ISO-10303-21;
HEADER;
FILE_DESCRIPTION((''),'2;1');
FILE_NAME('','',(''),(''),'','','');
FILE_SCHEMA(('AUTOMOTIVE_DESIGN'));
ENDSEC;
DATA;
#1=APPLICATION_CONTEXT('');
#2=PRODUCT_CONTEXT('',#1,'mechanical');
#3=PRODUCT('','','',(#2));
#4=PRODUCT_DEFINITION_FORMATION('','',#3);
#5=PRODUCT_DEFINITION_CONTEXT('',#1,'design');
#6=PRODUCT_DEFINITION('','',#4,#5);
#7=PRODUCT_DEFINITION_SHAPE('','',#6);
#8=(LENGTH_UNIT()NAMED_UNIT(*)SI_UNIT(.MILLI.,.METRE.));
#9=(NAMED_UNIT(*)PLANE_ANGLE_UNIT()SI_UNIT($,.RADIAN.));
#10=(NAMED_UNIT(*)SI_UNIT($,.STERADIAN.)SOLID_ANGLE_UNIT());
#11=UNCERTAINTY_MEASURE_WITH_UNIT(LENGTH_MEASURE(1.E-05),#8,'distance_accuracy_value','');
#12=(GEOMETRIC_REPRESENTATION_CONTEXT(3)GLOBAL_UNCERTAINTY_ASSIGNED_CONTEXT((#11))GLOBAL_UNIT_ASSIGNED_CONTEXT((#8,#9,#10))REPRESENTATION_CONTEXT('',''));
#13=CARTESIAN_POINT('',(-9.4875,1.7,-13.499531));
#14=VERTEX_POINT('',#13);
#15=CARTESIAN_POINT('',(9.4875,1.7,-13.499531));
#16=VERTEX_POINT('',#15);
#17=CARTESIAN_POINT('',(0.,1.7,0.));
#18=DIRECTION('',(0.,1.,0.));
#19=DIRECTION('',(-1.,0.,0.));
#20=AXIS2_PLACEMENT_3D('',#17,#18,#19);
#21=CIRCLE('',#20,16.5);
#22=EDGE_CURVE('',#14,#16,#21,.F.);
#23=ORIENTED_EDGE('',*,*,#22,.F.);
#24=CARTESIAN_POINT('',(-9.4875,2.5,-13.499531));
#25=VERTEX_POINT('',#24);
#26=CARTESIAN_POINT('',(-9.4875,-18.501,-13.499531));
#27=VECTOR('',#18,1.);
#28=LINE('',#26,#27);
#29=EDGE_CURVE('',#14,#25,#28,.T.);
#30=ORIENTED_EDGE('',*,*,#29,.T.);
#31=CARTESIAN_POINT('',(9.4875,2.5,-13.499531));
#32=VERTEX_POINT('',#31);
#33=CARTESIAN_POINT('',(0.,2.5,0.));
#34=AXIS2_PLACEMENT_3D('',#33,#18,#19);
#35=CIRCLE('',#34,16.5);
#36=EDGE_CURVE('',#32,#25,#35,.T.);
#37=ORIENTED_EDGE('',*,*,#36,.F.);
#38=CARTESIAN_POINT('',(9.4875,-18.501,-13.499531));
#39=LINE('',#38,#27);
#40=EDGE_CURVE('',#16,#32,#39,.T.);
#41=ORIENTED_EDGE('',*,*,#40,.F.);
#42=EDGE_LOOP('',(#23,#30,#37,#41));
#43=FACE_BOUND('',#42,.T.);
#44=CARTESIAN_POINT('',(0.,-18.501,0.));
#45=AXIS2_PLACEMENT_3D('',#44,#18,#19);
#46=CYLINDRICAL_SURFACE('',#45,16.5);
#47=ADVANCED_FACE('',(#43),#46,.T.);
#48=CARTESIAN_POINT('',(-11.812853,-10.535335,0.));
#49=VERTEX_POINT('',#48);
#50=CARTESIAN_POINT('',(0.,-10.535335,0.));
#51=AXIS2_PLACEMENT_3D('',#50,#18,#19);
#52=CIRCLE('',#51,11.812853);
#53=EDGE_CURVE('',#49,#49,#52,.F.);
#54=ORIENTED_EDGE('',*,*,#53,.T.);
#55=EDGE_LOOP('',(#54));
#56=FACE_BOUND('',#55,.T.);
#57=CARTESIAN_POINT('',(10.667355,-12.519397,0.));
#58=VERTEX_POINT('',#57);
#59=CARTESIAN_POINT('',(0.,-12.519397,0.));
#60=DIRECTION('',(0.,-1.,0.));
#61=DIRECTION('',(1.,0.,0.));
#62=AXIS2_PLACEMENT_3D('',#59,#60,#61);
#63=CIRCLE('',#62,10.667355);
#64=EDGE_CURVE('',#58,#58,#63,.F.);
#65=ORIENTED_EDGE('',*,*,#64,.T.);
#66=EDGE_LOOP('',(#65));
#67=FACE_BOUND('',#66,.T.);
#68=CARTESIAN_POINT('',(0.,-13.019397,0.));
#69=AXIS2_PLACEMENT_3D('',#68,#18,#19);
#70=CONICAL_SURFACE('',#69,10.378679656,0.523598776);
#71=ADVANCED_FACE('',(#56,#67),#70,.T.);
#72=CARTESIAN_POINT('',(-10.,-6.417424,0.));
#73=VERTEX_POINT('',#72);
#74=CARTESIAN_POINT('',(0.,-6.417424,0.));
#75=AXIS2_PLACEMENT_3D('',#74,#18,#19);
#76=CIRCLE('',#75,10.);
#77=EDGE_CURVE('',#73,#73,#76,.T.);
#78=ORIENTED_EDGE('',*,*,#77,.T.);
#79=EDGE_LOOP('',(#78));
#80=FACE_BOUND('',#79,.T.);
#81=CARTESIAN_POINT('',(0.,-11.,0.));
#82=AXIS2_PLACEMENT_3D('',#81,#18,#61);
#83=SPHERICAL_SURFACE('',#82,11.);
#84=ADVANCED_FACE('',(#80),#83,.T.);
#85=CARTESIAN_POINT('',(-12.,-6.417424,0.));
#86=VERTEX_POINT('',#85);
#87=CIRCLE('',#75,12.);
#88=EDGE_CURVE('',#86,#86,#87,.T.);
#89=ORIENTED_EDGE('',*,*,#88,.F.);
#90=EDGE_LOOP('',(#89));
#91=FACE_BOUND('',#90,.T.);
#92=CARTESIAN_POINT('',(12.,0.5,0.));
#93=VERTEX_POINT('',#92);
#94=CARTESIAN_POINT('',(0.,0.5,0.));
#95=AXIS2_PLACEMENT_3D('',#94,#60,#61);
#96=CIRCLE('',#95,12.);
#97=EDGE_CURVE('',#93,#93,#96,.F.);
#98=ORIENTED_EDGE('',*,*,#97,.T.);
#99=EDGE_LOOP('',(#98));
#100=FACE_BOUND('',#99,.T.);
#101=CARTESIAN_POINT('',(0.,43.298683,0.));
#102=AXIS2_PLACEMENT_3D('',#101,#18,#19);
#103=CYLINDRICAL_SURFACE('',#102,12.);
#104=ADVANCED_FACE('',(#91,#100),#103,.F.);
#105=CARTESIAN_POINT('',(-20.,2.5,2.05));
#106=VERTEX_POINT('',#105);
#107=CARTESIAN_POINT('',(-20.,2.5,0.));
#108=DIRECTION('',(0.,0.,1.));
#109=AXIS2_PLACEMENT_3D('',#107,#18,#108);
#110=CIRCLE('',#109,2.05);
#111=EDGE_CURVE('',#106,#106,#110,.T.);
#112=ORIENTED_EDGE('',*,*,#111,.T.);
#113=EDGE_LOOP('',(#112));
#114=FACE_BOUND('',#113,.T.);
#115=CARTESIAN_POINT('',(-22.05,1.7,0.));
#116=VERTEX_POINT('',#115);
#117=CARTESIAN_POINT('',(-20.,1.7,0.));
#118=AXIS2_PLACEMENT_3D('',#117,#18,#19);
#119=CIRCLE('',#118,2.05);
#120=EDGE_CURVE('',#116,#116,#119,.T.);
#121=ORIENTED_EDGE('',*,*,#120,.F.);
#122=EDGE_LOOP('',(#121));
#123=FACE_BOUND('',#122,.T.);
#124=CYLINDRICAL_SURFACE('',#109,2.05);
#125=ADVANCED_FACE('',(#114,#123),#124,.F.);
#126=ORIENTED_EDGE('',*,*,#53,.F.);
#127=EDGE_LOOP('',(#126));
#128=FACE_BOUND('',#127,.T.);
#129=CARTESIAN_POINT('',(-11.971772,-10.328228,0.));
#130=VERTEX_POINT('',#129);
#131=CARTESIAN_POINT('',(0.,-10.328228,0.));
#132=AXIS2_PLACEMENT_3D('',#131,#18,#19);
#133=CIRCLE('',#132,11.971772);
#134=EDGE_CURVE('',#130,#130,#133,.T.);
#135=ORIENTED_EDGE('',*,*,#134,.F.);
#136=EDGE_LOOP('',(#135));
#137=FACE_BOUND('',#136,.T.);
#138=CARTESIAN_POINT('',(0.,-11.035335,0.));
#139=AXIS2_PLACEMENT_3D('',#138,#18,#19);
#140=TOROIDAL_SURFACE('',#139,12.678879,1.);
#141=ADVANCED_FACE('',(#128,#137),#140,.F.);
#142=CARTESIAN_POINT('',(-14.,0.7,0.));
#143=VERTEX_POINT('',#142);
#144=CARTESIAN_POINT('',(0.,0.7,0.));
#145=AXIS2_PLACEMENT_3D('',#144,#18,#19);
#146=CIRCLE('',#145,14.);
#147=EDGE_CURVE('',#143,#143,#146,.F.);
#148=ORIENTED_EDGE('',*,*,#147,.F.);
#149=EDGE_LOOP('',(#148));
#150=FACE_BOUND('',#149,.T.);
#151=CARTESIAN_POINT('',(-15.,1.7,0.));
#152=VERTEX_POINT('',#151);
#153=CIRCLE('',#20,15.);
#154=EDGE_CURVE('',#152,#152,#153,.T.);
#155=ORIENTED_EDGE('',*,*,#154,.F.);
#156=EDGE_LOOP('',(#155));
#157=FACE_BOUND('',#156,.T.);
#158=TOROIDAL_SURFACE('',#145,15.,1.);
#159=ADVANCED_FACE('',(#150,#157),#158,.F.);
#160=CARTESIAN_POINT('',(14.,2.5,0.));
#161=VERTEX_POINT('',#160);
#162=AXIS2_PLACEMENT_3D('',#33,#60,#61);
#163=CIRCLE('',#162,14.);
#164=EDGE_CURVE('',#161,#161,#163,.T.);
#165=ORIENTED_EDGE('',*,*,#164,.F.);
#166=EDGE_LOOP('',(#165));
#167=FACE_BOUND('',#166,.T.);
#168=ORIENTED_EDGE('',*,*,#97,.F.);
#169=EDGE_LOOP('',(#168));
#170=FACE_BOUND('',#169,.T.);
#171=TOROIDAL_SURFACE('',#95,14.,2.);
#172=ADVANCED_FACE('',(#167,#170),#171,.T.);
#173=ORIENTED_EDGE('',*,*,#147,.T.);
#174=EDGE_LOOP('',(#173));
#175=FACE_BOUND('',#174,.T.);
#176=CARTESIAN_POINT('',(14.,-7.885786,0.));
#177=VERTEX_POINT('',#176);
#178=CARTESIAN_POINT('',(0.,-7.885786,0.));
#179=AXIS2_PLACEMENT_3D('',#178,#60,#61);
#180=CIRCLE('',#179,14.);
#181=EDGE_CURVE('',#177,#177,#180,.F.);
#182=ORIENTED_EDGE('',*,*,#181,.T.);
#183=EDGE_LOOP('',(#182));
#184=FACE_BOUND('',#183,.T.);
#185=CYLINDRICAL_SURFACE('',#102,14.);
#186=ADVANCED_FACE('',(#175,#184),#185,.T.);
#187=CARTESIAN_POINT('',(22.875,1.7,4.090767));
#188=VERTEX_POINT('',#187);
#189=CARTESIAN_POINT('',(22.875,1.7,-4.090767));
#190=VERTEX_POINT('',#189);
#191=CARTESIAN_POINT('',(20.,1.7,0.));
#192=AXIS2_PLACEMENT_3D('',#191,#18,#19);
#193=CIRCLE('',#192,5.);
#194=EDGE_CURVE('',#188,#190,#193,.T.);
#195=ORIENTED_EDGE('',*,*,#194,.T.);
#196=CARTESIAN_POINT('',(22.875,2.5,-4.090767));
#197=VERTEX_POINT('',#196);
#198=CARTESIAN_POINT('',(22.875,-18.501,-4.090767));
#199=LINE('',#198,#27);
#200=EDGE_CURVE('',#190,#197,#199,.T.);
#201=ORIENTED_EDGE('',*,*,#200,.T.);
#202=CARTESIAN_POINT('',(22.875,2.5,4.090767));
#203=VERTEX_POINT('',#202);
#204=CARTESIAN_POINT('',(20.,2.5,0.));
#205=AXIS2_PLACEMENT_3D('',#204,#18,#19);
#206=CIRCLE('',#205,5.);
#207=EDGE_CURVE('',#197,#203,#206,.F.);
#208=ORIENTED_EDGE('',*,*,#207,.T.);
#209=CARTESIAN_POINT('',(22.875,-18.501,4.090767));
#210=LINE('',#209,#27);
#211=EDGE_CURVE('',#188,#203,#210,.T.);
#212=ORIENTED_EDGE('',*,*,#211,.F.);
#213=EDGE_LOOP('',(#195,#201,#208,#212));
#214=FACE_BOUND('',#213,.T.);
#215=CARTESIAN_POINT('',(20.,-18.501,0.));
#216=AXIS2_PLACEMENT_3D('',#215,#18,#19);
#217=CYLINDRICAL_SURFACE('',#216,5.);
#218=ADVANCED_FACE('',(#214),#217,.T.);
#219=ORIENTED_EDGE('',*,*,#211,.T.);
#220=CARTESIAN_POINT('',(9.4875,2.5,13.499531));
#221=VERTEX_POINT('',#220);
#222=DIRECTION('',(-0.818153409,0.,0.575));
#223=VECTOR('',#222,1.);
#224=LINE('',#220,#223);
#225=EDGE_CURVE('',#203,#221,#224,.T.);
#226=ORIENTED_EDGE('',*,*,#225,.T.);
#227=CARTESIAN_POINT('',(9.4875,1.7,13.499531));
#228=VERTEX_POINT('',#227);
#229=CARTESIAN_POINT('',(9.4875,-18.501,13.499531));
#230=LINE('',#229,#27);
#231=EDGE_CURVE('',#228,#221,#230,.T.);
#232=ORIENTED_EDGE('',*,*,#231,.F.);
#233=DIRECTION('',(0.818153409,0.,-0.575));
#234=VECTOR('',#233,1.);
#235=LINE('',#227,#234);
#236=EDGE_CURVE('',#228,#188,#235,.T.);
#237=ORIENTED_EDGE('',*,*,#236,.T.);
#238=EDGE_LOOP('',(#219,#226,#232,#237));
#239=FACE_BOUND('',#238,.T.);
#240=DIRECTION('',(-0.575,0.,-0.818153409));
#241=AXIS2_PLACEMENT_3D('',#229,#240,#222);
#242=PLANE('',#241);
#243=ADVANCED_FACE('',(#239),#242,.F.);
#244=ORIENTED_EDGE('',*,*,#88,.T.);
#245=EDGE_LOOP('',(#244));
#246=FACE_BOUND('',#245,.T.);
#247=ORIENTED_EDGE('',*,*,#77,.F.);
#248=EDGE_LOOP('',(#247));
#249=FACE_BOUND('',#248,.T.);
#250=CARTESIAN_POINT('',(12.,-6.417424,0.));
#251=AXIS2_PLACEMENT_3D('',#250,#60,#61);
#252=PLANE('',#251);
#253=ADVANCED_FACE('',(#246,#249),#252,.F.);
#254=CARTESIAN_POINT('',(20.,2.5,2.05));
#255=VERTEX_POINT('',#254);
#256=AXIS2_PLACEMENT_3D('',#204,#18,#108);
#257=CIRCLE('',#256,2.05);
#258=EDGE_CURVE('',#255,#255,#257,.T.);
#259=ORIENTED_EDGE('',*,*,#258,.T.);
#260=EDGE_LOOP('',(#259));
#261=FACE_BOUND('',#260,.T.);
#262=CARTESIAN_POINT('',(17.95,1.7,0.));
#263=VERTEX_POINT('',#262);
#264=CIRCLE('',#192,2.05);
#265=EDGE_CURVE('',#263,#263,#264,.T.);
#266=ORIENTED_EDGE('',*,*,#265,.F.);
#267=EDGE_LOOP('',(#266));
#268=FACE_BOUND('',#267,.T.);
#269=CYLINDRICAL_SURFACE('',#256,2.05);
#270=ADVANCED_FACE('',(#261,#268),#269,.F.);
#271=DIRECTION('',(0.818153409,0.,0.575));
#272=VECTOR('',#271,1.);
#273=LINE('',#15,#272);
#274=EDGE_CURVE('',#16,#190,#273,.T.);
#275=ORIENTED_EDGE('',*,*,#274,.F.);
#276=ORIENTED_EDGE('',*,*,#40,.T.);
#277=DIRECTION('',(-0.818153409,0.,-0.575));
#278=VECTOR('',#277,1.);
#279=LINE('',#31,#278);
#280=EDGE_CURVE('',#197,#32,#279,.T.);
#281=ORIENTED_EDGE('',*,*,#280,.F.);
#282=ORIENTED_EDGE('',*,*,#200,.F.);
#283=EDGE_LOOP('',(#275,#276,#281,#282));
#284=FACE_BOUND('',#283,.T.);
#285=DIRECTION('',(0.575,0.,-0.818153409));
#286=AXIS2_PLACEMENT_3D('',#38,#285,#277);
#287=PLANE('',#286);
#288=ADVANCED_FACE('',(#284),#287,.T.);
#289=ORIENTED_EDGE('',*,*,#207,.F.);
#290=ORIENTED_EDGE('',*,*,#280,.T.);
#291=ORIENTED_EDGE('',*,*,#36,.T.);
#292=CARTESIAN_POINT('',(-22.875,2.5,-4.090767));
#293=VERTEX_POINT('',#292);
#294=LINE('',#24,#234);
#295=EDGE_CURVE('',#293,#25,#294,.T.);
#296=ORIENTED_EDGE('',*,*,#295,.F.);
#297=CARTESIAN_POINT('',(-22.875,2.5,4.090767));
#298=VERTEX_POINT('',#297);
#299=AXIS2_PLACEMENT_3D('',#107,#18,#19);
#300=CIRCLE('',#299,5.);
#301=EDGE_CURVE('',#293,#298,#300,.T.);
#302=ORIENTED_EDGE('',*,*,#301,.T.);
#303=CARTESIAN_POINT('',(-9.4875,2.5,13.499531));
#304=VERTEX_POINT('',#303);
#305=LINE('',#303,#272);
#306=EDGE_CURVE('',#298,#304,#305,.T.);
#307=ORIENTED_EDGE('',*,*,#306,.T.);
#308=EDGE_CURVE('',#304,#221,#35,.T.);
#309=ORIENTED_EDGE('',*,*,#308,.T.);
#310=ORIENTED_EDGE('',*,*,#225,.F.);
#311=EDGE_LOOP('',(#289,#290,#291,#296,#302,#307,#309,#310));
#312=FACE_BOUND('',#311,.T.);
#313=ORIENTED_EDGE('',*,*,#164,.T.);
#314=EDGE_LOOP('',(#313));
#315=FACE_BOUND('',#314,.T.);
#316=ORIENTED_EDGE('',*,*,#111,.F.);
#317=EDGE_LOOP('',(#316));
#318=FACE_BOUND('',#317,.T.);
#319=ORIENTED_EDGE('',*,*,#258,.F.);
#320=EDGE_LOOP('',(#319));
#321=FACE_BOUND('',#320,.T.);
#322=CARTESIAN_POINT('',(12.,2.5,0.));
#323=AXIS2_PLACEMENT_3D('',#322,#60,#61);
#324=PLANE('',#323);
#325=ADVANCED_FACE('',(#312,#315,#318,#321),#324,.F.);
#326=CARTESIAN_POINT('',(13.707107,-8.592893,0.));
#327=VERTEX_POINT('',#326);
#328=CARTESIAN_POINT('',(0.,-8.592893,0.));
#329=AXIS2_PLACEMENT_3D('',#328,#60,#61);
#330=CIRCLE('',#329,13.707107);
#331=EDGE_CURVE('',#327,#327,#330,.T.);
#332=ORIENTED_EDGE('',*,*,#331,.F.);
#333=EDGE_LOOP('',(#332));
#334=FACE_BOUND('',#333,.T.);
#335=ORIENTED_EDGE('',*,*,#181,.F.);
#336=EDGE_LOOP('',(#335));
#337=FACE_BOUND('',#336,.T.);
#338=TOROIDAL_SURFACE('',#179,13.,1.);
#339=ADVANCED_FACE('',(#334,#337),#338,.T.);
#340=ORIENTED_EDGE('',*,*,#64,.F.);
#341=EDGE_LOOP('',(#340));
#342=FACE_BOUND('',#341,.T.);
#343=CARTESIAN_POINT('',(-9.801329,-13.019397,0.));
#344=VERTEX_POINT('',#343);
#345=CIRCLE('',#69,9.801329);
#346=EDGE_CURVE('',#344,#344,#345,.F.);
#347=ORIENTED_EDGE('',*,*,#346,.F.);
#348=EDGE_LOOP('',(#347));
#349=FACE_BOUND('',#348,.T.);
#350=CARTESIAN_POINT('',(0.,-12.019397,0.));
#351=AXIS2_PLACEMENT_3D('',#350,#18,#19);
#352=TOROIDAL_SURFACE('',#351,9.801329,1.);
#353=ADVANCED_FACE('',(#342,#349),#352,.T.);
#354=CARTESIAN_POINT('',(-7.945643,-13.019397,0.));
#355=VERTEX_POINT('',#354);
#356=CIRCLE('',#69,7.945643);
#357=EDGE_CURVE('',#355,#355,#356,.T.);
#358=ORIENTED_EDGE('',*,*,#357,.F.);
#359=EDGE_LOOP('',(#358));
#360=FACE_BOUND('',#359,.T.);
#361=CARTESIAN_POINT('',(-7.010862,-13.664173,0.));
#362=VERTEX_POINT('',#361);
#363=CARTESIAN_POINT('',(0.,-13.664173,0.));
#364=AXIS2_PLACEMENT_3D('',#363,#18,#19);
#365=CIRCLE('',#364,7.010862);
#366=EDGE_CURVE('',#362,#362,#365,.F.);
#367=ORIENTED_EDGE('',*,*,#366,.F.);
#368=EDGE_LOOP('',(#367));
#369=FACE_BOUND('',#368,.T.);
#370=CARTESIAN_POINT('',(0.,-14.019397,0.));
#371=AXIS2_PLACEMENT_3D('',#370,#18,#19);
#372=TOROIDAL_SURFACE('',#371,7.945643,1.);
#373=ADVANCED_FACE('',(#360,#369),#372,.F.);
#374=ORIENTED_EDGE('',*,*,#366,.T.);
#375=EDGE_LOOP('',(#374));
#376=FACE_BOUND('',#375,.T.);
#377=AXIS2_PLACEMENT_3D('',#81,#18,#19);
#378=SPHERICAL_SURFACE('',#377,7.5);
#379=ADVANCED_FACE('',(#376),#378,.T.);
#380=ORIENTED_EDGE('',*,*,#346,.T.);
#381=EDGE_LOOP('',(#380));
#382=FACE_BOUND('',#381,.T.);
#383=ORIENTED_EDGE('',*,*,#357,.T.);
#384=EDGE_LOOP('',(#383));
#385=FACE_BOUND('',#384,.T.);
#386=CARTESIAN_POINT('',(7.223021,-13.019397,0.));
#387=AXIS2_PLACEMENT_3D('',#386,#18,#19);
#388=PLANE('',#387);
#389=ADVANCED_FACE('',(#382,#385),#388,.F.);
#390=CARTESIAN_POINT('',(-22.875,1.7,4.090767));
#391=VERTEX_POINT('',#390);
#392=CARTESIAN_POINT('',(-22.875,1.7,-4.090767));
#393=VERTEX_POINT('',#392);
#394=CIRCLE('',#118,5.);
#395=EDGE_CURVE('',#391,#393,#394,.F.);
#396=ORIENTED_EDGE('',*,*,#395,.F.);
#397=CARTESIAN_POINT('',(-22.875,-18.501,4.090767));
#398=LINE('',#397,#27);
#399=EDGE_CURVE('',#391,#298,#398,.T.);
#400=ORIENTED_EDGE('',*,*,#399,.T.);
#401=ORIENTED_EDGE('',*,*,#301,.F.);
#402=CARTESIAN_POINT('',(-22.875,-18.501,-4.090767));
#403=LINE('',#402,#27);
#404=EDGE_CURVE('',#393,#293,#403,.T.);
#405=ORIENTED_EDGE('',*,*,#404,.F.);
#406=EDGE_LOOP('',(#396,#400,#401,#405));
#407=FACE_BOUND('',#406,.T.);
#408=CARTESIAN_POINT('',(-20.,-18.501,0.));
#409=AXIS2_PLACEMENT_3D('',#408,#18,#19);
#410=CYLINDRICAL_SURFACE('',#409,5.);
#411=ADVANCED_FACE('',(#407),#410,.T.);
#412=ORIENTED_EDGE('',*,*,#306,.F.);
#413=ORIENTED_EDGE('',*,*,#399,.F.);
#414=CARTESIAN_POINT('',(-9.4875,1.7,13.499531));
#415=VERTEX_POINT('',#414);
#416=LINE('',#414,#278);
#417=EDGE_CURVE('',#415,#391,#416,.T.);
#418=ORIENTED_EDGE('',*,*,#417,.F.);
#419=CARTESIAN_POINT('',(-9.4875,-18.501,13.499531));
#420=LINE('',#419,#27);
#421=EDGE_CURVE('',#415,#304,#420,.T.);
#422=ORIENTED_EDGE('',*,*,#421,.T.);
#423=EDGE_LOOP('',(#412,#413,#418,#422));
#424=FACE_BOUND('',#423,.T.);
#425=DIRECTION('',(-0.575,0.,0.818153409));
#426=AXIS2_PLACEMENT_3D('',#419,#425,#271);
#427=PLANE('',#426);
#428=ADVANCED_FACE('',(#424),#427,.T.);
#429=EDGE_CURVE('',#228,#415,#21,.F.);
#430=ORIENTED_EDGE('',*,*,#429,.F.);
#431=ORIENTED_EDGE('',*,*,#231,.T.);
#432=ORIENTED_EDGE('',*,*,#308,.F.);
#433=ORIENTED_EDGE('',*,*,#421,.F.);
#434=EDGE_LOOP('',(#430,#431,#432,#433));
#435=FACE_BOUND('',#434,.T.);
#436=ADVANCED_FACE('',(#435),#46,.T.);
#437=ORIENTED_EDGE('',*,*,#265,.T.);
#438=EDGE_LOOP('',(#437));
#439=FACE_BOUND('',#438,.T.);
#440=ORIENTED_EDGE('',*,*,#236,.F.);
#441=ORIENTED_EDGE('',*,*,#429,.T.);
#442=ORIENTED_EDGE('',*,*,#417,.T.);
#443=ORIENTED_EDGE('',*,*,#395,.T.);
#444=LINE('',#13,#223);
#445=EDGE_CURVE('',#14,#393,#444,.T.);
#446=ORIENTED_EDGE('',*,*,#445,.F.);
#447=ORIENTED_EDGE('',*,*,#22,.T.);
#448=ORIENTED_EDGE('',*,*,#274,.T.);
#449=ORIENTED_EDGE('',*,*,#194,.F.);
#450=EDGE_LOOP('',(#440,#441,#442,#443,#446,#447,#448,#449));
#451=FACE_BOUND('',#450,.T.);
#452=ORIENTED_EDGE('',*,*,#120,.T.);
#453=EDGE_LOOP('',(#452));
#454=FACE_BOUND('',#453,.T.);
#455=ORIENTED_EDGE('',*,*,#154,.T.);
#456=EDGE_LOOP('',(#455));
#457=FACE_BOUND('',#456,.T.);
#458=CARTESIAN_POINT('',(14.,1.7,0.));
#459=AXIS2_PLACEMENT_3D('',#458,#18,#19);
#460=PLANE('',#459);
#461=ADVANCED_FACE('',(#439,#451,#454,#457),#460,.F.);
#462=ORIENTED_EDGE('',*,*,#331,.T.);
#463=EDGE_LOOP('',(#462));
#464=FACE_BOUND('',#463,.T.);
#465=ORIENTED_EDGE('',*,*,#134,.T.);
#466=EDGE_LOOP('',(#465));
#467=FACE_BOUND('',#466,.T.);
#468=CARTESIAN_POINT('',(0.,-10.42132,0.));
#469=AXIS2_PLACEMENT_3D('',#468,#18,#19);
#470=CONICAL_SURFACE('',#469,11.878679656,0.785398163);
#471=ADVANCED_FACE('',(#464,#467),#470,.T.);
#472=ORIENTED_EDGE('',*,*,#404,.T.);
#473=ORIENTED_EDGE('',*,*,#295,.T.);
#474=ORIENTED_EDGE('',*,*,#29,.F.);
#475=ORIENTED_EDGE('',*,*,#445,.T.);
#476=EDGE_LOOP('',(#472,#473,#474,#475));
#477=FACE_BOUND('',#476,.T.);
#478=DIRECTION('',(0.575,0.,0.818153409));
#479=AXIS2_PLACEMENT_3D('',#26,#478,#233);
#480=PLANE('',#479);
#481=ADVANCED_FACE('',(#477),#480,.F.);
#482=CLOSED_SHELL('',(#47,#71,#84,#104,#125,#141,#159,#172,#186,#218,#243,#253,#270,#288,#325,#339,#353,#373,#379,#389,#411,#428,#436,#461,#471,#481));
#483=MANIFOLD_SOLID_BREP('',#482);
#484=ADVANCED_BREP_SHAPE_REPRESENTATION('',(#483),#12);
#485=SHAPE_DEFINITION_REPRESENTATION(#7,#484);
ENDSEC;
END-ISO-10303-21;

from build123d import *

# Parameters (mm, degrees)
FILLET1_R                      = 1
FILLET2_R                      = 2
CUT_EXTRUDE1_REACH             = 23
F_4_1_4_1_DIAMETER_HOLE1_D     = 4.1
F_4_1_4_1_DIAMETER_HOLE1_DEPTH = 0.8


with BuildPart() as part:
    # Sketch1 → Revolve1 (revolve)
    with BuildSketch(Plane.XY):
        with BuildLine():
            Line((14, 1.7), (14, -8.3))
            Line((14, -8.3), (11.878679656, -10.421320344))
            Line((11.878679656, -10.421320344), (10.378679656, -13.019396555))
            Line((10.378679656, -13.019396555), (7.223021359, -13.019396555))
            ThreePointArc((7.223021359, -13.019396555), (4.533460369, -16.974758328), (0, -18.5))
            Line((0, -18.5), (0, 0))
            ThreePointArc((0, 0), (5.941029682, -1.742345528), (10, -6.417424305))
            Line((10, -6.417424305), (12, -6.417424305))
            Line((12, -6.417424305), (12, 2.5))
            Line((12, 2.5), (25, 2.5))
            Line((25, 2.5), (25, 1.7))
            Line((25, 1.7), (14, 1.7))
        make_face()
    revolve(axis=Axis((0, 43.298682787, 0), (0, -1, 0)))

    # Fillet1
    fillet1_edges = [part.edges().sort_by_distance(p)[0] for p in [
        (-7.223021359, -13.019396555, 0),
        (-10.378679656, -13.019396555, 0),
        (-11.878679656, -10.421320344, 0),
        (-14, -8.3, 0),
        (-14, 1.7, 0),
    ]]
    fillet(fillet1_edges, radius=FILLET1_R)

    # Fillet2
    fillet2_edges = [part.edges().sort_by_distance(p)[0] for p in [
        (-12, 2.5, 0),
    ]]
    fillet(fillet2_edges, radius=FILLET2_R)

    # Sketch2 → Cut-Extrude1 (cut, up to next)
    with BuildSketch(Plane(origin=(0, 2.5, 0), x_dir=(1, 0, 0), z_dir=(0, 1, 0)), mode=Mode.PRIVATE) as cut_extrude1_sk1:
        with BuildLine():
            ThreePointArc((-25, 0), (-24.437059837, 2.304886114), (-22.875, 4.090767043))
            Line((-22.875, 4.090767043), (-9.4875, 13.499531242))
            ThreePointArc((-9.4875, 13.499531242), (0, 16.5), (9.4875, 13.499531242))
            Line((9.4875, 13.499531242), (22.875, 4.090767043))
            ThreePointArc((22.875, 4.090767043), (24.437059837, 2.304886114), (25, 0))
            ThreePointArc((25, 0), (0, 25), (-25, 0))
        make_face()
    cut_extrude1_tool1 = extrude(cut_extrude1_sk1.sketch, amount=-CUT_EXTRUDE1_REACH, mode=Mode.PRIVATE) & part.part
    add(cut_extrude1_tool1.solids().sort_by_distance((-24.486668, 2.5, -2.330656))[0], mode=Mode.SUBTRACT)
    # Sketch2 → Cut-Extrude1 (cut, up to next)
    with BuildSketch(Plane(origin=(0, 2.5, 0), x_dir=(1, 0, 0), z_dir=(0, 1, 0)), mode=Mode.PRIVATE) as cut_extrude1_sk2:
        with BuildLine():
            ThreePointArc((-22.875, -4.090767043), (-24.437059837, -2.304886114), (-25, 0))
            ThreePointArc((-25, 0), (0, -25), (25, 0))
            ThreePointArc((25, 0), (24.437059837, -2.304886114), (22.875, -4.090767043))
            Line((22.875, -4.090767043), (9.4875, -13.499531242))
            ThreePointArc((9.4875, -13.499531242), (0, -16.5), (-9.4875, -13.499531242))
            Line((-9.4875, -13.499531242), (-22.875, -4.090767043))
        make_face()
    cut_extrude1_tool2 = extrude(cut_extrude1_sk2.sketch, amount=-CUT_EXTRUDE1_REACH, mode=Mode.PRIVATE) & part.part
    add(cut_extrude1_tool2.solids().sort_by_distance((-16.502685, 2.5, 9.252511))[0], mode=Mode.SUBTRACT)

    # Ø4.1 (4.1) Diameter Hole1
    with Locations(Plane(origin=(0, 2.5, 0), x_dir=(1, 0, 0), z_dir=(0, 1, 0))):
        with Locations((20, 0), (-20, 0)):
            Hole(F_4_1_4_1_DIAMETER_HOLE1_D / 2, depth=F_4_1_4_1_DIAMETER_HOLE1_DEPTH)


solid = part.part
